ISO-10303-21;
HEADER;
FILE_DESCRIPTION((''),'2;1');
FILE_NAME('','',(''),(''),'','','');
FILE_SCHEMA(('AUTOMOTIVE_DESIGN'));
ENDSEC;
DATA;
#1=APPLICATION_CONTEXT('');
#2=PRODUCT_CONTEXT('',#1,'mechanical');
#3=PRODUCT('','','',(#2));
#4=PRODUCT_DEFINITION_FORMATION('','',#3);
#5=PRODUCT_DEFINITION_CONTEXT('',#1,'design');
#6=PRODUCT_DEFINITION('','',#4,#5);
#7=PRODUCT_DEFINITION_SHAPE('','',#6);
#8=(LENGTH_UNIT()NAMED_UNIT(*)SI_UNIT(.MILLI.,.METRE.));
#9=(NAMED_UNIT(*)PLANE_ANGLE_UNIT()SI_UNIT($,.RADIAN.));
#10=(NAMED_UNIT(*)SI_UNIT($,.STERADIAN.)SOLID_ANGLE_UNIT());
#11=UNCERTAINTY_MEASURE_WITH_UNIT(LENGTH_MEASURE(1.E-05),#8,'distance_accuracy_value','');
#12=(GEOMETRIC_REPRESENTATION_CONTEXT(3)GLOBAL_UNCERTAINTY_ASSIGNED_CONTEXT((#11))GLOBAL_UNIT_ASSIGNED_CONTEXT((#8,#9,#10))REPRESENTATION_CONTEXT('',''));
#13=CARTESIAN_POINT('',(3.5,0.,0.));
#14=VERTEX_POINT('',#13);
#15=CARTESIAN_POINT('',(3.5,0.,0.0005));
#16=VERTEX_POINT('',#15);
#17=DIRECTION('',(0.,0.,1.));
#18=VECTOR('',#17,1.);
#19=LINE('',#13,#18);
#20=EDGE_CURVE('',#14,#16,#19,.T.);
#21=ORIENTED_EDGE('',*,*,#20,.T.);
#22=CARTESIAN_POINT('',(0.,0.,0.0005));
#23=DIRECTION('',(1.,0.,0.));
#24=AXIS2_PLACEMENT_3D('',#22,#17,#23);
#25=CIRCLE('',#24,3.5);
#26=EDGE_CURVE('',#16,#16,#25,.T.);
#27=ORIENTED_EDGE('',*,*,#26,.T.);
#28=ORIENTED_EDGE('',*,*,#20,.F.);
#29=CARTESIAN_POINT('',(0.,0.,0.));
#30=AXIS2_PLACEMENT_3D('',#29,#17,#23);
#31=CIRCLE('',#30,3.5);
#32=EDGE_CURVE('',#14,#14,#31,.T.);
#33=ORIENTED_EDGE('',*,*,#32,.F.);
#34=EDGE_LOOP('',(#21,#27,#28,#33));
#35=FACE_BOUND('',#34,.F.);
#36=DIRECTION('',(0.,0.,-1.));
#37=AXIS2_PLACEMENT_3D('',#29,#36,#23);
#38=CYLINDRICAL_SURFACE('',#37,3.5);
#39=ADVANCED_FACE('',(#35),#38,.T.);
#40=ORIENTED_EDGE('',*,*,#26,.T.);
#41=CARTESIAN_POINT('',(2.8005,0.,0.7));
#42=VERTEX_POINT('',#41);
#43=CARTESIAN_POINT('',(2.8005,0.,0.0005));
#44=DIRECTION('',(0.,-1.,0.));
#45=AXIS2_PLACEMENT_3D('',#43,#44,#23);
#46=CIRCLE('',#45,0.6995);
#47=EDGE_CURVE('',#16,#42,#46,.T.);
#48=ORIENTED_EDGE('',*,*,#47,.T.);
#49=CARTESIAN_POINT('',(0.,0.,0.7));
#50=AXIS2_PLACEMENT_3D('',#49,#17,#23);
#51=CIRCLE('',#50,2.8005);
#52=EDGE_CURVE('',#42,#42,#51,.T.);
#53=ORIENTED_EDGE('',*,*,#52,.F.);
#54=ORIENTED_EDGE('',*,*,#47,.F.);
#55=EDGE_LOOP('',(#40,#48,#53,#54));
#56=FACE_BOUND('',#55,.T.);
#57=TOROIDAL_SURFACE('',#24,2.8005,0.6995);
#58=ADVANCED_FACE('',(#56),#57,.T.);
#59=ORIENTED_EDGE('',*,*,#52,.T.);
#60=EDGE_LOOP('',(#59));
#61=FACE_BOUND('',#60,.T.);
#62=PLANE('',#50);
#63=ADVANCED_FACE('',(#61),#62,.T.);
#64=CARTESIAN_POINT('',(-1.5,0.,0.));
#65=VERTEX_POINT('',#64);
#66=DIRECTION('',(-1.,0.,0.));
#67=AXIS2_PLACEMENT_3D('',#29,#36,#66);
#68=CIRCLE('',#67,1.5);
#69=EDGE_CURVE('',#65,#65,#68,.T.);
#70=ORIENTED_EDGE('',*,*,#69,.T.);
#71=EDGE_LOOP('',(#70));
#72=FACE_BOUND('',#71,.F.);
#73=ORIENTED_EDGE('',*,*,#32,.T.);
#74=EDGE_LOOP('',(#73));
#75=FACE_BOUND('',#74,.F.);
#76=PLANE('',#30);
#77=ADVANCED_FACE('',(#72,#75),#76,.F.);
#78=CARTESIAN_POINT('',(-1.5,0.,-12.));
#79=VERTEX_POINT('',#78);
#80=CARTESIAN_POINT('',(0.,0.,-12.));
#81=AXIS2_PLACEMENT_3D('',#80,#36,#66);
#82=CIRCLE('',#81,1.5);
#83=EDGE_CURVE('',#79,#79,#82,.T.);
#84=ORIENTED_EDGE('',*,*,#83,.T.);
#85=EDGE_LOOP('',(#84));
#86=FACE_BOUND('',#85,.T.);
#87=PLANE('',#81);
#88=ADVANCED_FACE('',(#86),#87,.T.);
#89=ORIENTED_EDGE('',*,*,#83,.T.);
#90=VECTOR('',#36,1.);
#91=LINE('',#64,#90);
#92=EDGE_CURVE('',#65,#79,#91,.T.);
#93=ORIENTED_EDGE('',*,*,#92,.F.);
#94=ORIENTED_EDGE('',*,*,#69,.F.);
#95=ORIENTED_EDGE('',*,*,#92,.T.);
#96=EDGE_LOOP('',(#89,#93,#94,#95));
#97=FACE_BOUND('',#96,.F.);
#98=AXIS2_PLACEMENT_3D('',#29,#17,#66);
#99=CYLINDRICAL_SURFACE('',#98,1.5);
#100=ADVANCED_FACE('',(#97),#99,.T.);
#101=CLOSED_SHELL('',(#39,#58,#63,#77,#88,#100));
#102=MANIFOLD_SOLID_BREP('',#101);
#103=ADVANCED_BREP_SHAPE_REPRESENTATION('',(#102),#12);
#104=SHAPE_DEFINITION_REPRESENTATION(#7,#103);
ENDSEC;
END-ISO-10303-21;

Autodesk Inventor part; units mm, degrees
ref_plane "YZ Plane" through (0, 0, 0) normal (1, 0, 0) x (0, 1, 0)
ref_plane "XZ Plane" through (0, 0, 0) normal (0, 1, 0) x (-1, 0, 0)
ref_plane "XY Plane" through (0, 0, 0) normal (0, 0, 1) x (1, 0, 0)
sketch "スケッチ1" plane through (0, 0, 0) normal (0, 0, 1) x (1, 0, 0)
  circle A0 centre (0, 0) radius 3.5
  dimension "d0" = 7
extrude "押し出し1" add sketch "スケッチ1" along normal blind 0.7
sketch "スケッチ2" plane through (0, 0, 0) normal (0, 0, -1) x (-1, 0, 0)
  circle A0 centre (0, 0) radius 1.5
  dimension "d3" = 3
extrude "押し出し2" add sketch "スケッチ2" along normal blind 12
thread "ねじ1" size "M3x0.5" class "6g" standard "ANSI Metric M Profile" full length
fillet "フィレット1" radius 0.7 1 edges at (-3.5, 0, 0.7)
properties part number "ネジ低頭m3.12" material "鋼、高強度、低合金"
